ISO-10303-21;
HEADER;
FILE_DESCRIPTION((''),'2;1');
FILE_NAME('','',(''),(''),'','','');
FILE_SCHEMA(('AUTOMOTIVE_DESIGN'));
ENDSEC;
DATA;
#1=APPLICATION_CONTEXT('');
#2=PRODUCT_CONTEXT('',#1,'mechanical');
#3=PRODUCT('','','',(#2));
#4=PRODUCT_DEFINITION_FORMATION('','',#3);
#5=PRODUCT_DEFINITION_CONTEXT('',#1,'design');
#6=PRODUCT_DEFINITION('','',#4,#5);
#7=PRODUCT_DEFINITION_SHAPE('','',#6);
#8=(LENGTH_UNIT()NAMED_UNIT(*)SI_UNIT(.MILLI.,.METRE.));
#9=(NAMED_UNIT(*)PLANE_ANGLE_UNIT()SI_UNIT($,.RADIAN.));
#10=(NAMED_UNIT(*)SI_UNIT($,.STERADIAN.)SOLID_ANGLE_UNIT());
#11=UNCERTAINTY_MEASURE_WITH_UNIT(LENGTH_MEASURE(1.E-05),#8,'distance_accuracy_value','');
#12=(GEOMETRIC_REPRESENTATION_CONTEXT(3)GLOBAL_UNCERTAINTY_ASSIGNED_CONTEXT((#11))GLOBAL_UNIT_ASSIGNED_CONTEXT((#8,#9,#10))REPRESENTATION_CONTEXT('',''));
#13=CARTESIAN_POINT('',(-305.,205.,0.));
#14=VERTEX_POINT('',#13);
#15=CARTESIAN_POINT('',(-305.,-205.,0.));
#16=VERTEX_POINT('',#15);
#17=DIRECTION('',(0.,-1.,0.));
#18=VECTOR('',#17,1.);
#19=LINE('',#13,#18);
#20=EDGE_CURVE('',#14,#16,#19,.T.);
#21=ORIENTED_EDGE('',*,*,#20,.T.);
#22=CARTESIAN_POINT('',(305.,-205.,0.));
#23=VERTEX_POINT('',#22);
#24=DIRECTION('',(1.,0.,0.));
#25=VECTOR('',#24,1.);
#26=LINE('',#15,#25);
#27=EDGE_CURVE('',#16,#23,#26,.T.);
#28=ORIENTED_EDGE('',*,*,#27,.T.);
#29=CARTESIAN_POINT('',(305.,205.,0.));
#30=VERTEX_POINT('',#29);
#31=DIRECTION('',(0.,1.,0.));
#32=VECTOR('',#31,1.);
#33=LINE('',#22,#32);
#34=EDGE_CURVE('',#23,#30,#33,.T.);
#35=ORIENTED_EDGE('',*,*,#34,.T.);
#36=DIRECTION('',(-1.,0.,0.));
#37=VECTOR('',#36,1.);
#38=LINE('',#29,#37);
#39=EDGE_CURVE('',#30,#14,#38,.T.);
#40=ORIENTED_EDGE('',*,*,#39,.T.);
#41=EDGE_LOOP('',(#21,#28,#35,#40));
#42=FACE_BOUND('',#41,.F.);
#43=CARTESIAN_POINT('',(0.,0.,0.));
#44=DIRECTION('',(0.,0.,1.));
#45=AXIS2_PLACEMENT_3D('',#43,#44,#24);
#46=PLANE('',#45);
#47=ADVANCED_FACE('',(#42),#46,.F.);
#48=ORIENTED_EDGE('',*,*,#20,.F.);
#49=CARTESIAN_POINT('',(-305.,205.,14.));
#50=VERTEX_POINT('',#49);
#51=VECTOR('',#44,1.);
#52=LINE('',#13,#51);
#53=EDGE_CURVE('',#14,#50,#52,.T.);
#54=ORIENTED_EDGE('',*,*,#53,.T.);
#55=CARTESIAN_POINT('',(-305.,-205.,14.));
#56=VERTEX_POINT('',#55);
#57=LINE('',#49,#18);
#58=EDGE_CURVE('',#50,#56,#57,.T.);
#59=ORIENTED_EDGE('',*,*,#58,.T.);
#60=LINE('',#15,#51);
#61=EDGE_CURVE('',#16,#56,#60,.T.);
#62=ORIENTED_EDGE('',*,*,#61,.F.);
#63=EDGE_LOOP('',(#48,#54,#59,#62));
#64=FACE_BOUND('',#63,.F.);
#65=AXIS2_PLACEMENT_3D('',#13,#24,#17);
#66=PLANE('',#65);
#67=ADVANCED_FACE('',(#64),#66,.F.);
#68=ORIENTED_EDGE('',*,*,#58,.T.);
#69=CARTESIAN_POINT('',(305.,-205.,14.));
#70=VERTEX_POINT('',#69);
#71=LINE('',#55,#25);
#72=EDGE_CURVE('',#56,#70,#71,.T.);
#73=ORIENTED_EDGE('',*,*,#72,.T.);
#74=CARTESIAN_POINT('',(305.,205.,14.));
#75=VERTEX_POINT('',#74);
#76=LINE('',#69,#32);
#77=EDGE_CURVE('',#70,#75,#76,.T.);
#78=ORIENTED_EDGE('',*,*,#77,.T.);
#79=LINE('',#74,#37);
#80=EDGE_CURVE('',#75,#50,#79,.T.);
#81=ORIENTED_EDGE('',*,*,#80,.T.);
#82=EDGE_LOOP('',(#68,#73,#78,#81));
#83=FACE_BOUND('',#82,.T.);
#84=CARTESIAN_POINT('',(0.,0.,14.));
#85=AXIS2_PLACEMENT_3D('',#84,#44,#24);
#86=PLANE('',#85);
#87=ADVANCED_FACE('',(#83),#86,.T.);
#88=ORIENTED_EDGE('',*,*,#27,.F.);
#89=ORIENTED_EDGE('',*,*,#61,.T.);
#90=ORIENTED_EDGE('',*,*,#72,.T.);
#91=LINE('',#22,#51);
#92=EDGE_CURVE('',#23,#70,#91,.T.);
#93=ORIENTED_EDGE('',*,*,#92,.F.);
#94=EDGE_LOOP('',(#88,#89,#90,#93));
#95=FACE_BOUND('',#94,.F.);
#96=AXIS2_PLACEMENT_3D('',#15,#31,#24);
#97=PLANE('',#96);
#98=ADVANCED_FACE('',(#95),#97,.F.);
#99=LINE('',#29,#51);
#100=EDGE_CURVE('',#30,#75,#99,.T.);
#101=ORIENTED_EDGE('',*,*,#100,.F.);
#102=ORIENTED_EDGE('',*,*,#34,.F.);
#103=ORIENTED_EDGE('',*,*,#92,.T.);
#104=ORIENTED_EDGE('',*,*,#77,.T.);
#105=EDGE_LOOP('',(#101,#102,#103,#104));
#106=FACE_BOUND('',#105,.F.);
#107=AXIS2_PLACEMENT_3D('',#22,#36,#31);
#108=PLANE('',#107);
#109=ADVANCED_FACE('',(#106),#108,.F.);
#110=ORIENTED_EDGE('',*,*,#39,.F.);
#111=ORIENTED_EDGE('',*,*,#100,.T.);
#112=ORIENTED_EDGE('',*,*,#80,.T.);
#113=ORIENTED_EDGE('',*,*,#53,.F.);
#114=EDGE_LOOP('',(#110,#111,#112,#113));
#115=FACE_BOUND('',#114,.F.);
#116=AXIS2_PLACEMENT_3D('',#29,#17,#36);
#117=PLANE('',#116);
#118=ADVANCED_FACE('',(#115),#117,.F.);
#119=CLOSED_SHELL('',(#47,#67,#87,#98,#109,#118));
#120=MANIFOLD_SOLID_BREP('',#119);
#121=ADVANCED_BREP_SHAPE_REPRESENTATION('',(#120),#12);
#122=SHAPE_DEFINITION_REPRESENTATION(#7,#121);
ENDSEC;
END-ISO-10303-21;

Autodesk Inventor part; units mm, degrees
ref_plane "YZ Plane" through (0, 0, 0) normal (1, 0, 0) x (0, 1, 0)
ref_plane "XZ Plane" through (0, 0, 0) normal (0, 1, 0) x (-1, 0, 0)
ref_plane "XY Plane" through (0, 0, 0) normal (0, 0, 1) x (1, 0, 0)
sketch "Sketch2" plane through (0, 0, 0) normal (0, 0, 1) x (1, 0, 0)
  line L0 (-305, -205) -> (305, -205)
  line L1 (305, -205) -> (305, 205)
  line L2 (305, 205) -> (-305, 205)
  line L3 (-305, 205) -> (-305, -205)
  line L4 (-305, -205) -> (305, 205) construction
  line L5 (305, -205) -> (-305, 205) construction
  point P0 (0, 0)
  dimension "d0" = 610
  dimension "d1" = 410
extrude "Extrusion1" add sketch "Sketch2" along normal blind 14
properties part number "RT_TR_MC_001_BottomPlate"
